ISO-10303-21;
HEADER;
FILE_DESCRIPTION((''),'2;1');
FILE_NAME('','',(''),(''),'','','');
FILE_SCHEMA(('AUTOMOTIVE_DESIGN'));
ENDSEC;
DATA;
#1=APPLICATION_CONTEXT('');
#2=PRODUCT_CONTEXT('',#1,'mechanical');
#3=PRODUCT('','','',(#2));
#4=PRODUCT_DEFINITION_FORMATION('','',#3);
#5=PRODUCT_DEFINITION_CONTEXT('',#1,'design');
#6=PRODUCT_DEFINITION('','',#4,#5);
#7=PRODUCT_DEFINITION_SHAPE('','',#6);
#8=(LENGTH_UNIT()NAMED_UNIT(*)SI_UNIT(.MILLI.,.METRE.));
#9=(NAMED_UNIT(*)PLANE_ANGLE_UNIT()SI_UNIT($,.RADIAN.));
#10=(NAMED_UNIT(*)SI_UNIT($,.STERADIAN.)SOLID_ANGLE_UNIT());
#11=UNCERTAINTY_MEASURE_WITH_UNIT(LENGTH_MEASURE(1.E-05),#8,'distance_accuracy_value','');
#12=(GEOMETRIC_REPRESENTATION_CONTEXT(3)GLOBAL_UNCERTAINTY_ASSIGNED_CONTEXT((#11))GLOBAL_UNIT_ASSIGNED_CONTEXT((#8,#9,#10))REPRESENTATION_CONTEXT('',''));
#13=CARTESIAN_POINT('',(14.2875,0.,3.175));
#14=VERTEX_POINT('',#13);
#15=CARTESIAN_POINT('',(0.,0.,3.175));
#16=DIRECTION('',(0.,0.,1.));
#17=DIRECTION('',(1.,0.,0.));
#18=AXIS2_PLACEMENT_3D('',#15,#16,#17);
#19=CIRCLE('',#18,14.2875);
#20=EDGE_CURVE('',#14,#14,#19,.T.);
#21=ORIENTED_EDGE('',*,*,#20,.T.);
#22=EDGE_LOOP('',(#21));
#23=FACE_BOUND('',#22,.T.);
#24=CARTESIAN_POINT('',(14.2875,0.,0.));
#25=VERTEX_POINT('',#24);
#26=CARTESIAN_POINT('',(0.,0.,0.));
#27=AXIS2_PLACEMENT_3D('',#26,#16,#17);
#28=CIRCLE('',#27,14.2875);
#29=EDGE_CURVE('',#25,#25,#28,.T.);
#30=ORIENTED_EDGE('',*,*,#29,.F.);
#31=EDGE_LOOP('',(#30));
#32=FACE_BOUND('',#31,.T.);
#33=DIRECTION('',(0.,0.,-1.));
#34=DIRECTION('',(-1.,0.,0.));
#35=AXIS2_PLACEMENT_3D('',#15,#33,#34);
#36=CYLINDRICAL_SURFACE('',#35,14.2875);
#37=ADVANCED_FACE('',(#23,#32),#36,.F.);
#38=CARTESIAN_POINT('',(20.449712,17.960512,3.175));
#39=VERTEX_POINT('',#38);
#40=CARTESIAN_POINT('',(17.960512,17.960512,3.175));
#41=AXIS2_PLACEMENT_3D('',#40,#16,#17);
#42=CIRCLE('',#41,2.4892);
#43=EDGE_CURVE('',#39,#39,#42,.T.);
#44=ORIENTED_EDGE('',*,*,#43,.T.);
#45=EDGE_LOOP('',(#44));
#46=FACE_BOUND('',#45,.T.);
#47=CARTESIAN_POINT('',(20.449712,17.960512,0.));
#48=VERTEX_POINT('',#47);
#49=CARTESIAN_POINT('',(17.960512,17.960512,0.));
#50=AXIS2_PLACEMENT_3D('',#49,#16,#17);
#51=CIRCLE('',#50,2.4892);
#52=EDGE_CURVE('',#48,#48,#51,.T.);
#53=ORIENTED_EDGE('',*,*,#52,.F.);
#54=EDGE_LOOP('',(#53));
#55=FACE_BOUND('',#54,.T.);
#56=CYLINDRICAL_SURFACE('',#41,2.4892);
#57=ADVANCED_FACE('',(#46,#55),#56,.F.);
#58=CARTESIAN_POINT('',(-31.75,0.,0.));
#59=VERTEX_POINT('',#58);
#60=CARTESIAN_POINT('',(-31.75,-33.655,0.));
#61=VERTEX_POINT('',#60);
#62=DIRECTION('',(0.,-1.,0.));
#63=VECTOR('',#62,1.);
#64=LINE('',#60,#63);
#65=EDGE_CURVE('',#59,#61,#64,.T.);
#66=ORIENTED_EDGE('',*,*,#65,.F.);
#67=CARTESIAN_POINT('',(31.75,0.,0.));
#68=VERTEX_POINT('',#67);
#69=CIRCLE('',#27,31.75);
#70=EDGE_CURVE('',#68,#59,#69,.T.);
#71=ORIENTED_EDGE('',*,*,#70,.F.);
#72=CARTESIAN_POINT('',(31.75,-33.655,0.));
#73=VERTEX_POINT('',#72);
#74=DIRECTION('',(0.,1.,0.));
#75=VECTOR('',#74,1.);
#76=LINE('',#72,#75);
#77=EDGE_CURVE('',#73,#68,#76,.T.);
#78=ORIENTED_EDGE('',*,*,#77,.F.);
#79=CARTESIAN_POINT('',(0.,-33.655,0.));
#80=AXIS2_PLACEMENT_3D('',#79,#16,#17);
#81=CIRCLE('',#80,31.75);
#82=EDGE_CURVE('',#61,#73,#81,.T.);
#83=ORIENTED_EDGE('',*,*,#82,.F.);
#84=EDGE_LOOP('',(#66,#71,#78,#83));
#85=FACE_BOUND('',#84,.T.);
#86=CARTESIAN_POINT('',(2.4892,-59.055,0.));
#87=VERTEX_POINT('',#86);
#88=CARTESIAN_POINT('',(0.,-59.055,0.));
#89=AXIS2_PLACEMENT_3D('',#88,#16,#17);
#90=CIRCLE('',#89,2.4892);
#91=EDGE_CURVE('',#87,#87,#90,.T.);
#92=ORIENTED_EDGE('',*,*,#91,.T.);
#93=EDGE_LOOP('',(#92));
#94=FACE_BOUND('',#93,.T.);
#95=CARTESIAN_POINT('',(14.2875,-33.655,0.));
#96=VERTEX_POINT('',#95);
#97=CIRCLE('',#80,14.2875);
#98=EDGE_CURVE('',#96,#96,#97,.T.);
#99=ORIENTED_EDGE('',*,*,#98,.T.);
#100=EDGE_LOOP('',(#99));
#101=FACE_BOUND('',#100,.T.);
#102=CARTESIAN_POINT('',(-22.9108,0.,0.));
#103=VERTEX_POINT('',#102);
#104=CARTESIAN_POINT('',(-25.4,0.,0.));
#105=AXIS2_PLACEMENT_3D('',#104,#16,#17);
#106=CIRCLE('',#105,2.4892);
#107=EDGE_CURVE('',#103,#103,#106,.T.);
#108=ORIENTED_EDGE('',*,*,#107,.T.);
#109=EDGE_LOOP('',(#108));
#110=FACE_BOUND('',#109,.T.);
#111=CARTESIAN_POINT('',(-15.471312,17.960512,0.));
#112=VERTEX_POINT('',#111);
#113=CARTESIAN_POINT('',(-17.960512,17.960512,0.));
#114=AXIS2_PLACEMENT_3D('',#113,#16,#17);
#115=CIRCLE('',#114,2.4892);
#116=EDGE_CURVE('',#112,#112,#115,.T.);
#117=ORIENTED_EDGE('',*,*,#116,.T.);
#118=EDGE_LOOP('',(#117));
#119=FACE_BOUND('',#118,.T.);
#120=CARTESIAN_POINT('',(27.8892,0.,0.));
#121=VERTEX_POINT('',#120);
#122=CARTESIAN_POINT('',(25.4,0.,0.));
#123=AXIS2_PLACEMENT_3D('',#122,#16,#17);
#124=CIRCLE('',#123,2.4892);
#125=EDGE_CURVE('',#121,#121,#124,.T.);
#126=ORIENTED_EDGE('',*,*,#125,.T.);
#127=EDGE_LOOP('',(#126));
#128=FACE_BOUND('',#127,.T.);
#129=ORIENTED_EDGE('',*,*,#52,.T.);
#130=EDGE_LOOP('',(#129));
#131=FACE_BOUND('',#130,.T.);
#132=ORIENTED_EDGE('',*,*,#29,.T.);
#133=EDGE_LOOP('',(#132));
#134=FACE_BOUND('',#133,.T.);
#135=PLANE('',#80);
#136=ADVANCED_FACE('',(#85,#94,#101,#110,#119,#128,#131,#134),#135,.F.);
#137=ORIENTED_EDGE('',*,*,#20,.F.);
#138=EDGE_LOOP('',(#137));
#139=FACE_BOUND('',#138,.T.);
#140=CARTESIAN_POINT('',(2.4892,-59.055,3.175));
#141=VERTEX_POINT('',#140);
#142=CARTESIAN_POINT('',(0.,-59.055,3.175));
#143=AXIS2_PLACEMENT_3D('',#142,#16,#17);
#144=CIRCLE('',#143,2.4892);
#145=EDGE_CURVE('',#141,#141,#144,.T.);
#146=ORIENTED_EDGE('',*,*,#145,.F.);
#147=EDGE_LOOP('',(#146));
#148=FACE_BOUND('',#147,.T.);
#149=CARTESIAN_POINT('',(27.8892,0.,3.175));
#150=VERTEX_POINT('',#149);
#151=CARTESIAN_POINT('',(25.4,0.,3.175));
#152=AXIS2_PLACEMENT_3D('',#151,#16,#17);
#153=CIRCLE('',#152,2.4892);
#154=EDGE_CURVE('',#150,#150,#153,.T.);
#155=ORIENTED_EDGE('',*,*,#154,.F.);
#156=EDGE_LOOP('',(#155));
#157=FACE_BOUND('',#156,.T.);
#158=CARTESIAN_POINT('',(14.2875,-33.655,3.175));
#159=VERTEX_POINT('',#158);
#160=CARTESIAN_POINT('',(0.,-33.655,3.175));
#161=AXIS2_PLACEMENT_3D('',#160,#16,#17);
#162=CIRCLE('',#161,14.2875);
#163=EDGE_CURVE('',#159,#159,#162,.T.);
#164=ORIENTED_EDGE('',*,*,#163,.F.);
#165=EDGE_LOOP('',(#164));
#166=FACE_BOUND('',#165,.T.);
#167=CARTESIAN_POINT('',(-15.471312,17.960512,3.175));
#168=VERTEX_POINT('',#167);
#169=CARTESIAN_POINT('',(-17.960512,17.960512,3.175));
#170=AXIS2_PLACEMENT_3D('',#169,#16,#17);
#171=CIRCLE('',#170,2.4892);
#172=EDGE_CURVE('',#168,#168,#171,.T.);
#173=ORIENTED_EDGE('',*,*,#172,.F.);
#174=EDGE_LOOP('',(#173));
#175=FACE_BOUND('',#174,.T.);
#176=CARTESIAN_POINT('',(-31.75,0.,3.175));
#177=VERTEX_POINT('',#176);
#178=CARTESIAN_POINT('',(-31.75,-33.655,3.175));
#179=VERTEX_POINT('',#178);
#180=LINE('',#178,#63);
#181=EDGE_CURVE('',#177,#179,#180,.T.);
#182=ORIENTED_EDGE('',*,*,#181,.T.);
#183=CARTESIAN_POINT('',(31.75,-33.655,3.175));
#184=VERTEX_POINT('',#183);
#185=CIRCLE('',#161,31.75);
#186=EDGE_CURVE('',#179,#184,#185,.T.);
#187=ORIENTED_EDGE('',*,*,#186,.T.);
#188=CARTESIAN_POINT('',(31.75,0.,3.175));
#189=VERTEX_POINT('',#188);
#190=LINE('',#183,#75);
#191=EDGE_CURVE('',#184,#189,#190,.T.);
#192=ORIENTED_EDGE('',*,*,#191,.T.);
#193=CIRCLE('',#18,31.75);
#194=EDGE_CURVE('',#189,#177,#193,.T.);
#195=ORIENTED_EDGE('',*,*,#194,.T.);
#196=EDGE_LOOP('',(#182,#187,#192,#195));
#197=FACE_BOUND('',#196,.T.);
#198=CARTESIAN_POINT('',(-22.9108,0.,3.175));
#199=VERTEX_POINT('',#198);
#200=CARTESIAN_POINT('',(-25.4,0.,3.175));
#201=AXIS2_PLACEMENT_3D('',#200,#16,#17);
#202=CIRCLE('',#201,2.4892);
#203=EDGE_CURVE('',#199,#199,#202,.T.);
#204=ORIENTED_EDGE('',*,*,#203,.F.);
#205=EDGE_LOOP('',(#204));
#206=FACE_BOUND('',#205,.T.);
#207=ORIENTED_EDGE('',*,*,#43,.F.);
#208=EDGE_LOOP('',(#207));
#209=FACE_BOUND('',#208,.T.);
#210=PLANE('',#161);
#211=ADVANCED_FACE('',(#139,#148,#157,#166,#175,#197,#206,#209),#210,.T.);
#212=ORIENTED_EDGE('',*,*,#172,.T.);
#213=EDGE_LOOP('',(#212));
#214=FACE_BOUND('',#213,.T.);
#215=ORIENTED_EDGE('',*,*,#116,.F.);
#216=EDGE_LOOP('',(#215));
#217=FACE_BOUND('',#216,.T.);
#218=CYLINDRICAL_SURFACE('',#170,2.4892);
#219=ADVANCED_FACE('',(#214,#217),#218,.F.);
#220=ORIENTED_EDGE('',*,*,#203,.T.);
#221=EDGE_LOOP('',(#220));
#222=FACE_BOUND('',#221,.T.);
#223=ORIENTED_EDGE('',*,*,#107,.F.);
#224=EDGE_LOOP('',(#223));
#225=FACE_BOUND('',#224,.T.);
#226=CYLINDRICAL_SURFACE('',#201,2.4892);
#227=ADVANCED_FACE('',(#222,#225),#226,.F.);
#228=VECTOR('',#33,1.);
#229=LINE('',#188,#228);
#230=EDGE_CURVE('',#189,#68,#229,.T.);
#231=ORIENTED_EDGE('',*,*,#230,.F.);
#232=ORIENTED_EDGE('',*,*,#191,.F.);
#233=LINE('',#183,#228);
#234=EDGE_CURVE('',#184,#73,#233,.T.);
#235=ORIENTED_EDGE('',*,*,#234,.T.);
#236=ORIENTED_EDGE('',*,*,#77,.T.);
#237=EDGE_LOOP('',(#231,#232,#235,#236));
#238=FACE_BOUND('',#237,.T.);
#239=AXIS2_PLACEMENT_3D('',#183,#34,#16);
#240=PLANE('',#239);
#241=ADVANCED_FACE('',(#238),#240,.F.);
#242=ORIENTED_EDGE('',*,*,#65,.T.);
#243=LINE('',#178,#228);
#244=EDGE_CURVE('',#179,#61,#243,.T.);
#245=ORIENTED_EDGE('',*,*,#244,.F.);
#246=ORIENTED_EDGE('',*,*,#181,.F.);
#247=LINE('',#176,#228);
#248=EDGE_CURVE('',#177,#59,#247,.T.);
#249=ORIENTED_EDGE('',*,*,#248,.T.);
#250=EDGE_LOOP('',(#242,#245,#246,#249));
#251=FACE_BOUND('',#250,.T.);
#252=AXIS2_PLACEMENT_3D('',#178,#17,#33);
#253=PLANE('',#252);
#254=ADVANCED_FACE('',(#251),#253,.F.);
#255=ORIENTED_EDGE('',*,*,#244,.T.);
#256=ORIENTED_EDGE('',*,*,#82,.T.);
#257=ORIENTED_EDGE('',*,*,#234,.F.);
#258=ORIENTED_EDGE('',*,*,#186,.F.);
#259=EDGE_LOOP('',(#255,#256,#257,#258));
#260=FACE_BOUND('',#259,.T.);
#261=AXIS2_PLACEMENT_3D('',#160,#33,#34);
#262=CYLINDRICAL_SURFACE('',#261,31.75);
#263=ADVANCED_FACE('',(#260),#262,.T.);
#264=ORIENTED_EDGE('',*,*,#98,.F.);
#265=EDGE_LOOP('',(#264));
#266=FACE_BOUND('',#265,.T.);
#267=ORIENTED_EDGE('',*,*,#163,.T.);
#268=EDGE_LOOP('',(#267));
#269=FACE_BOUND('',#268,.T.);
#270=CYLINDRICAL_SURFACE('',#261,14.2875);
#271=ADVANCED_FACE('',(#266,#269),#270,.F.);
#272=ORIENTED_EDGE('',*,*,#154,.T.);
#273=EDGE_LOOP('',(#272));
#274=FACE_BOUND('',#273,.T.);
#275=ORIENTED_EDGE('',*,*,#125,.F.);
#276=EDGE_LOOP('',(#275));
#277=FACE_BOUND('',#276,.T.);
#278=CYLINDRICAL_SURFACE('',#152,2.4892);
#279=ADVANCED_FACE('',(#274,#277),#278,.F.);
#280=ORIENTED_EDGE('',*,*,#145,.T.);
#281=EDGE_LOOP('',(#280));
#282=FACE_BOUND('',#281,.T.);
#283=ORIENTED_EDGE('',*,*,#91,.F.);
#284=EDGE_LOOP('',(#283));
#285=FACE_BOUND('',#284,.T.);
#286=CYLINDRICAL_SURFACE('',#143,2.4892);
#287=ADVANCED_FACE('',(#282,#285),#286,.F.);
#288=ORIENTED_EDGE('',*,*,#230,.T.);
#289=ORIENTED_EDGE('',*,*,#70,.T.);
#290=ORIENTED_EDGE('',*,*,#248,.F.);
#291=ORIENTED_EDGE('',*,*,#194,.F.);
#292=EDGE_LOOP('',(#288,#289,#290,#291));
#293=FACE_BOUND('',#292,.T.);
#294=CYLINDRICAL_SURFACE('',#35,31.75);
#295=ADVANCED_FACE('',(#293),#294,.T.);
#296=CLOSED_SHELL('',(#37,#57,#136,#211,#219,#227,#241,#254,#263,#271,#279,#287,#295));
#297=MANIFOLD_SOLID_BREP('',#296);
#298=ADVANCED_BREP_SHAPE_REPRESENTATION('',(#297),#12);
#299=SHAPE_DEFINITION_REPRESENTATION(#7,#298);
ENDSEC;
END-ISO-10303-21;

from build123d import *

# Parameters (mm, degrees)
SKETCH1_R                  = 14.2875
BOSS_EXTRUDE1_DEPTH        = 3.175
F_9_0_196_DIAMETER_HOLE1_D = 4.9784


with BuildPart() as part:
    # Sketch1 → Boss-Extrude1 (new body)
    with BuildSketch(Plane(origin=(0, 0, 0), x_dir=(0, 1, 0), z_dir=(0, 0, 1))):
        with BuildLine():
            Line((-33.655, 31.75), (0, 31.75))
            ThreePointArc((0, 31.75), (31.75, 0), (0, -31.75))
            Line((0, -31.75), (-33.655, -31.75))
            ThreePointArc((-33.655, -31.75), (-65.405, 0), (-33.655, 31.75))
        make_face()
        with Locations(Location((0, 0, 0), (0, 0, 270))):
            Circle(SKETCH1_R, mode=Mode.SUBTRACT)
        with Locations(Location((-33.655, 0, 0), (0, 0, 270))):
            Circle(SKETCH1_R, mode=Mode.SUBTRACT)
    extrude(amount=BOSS_EXTRUDE1_DEPTH)

    # #9 (0.196) Diameter Hole1 (through all)
    with Locations(Plane.XY.offset(3.175)):
        with Locations((-58.38589225, 11.773697217), (-25.4, 0), (25.4, 0), (0, -59.055), (-17.960512242, 17.960512242), (17.960512242, 17.960512242)):
            Hole(F_9_0_196_DIAMETER_HOLE1_D / 2)


solid = part.part
